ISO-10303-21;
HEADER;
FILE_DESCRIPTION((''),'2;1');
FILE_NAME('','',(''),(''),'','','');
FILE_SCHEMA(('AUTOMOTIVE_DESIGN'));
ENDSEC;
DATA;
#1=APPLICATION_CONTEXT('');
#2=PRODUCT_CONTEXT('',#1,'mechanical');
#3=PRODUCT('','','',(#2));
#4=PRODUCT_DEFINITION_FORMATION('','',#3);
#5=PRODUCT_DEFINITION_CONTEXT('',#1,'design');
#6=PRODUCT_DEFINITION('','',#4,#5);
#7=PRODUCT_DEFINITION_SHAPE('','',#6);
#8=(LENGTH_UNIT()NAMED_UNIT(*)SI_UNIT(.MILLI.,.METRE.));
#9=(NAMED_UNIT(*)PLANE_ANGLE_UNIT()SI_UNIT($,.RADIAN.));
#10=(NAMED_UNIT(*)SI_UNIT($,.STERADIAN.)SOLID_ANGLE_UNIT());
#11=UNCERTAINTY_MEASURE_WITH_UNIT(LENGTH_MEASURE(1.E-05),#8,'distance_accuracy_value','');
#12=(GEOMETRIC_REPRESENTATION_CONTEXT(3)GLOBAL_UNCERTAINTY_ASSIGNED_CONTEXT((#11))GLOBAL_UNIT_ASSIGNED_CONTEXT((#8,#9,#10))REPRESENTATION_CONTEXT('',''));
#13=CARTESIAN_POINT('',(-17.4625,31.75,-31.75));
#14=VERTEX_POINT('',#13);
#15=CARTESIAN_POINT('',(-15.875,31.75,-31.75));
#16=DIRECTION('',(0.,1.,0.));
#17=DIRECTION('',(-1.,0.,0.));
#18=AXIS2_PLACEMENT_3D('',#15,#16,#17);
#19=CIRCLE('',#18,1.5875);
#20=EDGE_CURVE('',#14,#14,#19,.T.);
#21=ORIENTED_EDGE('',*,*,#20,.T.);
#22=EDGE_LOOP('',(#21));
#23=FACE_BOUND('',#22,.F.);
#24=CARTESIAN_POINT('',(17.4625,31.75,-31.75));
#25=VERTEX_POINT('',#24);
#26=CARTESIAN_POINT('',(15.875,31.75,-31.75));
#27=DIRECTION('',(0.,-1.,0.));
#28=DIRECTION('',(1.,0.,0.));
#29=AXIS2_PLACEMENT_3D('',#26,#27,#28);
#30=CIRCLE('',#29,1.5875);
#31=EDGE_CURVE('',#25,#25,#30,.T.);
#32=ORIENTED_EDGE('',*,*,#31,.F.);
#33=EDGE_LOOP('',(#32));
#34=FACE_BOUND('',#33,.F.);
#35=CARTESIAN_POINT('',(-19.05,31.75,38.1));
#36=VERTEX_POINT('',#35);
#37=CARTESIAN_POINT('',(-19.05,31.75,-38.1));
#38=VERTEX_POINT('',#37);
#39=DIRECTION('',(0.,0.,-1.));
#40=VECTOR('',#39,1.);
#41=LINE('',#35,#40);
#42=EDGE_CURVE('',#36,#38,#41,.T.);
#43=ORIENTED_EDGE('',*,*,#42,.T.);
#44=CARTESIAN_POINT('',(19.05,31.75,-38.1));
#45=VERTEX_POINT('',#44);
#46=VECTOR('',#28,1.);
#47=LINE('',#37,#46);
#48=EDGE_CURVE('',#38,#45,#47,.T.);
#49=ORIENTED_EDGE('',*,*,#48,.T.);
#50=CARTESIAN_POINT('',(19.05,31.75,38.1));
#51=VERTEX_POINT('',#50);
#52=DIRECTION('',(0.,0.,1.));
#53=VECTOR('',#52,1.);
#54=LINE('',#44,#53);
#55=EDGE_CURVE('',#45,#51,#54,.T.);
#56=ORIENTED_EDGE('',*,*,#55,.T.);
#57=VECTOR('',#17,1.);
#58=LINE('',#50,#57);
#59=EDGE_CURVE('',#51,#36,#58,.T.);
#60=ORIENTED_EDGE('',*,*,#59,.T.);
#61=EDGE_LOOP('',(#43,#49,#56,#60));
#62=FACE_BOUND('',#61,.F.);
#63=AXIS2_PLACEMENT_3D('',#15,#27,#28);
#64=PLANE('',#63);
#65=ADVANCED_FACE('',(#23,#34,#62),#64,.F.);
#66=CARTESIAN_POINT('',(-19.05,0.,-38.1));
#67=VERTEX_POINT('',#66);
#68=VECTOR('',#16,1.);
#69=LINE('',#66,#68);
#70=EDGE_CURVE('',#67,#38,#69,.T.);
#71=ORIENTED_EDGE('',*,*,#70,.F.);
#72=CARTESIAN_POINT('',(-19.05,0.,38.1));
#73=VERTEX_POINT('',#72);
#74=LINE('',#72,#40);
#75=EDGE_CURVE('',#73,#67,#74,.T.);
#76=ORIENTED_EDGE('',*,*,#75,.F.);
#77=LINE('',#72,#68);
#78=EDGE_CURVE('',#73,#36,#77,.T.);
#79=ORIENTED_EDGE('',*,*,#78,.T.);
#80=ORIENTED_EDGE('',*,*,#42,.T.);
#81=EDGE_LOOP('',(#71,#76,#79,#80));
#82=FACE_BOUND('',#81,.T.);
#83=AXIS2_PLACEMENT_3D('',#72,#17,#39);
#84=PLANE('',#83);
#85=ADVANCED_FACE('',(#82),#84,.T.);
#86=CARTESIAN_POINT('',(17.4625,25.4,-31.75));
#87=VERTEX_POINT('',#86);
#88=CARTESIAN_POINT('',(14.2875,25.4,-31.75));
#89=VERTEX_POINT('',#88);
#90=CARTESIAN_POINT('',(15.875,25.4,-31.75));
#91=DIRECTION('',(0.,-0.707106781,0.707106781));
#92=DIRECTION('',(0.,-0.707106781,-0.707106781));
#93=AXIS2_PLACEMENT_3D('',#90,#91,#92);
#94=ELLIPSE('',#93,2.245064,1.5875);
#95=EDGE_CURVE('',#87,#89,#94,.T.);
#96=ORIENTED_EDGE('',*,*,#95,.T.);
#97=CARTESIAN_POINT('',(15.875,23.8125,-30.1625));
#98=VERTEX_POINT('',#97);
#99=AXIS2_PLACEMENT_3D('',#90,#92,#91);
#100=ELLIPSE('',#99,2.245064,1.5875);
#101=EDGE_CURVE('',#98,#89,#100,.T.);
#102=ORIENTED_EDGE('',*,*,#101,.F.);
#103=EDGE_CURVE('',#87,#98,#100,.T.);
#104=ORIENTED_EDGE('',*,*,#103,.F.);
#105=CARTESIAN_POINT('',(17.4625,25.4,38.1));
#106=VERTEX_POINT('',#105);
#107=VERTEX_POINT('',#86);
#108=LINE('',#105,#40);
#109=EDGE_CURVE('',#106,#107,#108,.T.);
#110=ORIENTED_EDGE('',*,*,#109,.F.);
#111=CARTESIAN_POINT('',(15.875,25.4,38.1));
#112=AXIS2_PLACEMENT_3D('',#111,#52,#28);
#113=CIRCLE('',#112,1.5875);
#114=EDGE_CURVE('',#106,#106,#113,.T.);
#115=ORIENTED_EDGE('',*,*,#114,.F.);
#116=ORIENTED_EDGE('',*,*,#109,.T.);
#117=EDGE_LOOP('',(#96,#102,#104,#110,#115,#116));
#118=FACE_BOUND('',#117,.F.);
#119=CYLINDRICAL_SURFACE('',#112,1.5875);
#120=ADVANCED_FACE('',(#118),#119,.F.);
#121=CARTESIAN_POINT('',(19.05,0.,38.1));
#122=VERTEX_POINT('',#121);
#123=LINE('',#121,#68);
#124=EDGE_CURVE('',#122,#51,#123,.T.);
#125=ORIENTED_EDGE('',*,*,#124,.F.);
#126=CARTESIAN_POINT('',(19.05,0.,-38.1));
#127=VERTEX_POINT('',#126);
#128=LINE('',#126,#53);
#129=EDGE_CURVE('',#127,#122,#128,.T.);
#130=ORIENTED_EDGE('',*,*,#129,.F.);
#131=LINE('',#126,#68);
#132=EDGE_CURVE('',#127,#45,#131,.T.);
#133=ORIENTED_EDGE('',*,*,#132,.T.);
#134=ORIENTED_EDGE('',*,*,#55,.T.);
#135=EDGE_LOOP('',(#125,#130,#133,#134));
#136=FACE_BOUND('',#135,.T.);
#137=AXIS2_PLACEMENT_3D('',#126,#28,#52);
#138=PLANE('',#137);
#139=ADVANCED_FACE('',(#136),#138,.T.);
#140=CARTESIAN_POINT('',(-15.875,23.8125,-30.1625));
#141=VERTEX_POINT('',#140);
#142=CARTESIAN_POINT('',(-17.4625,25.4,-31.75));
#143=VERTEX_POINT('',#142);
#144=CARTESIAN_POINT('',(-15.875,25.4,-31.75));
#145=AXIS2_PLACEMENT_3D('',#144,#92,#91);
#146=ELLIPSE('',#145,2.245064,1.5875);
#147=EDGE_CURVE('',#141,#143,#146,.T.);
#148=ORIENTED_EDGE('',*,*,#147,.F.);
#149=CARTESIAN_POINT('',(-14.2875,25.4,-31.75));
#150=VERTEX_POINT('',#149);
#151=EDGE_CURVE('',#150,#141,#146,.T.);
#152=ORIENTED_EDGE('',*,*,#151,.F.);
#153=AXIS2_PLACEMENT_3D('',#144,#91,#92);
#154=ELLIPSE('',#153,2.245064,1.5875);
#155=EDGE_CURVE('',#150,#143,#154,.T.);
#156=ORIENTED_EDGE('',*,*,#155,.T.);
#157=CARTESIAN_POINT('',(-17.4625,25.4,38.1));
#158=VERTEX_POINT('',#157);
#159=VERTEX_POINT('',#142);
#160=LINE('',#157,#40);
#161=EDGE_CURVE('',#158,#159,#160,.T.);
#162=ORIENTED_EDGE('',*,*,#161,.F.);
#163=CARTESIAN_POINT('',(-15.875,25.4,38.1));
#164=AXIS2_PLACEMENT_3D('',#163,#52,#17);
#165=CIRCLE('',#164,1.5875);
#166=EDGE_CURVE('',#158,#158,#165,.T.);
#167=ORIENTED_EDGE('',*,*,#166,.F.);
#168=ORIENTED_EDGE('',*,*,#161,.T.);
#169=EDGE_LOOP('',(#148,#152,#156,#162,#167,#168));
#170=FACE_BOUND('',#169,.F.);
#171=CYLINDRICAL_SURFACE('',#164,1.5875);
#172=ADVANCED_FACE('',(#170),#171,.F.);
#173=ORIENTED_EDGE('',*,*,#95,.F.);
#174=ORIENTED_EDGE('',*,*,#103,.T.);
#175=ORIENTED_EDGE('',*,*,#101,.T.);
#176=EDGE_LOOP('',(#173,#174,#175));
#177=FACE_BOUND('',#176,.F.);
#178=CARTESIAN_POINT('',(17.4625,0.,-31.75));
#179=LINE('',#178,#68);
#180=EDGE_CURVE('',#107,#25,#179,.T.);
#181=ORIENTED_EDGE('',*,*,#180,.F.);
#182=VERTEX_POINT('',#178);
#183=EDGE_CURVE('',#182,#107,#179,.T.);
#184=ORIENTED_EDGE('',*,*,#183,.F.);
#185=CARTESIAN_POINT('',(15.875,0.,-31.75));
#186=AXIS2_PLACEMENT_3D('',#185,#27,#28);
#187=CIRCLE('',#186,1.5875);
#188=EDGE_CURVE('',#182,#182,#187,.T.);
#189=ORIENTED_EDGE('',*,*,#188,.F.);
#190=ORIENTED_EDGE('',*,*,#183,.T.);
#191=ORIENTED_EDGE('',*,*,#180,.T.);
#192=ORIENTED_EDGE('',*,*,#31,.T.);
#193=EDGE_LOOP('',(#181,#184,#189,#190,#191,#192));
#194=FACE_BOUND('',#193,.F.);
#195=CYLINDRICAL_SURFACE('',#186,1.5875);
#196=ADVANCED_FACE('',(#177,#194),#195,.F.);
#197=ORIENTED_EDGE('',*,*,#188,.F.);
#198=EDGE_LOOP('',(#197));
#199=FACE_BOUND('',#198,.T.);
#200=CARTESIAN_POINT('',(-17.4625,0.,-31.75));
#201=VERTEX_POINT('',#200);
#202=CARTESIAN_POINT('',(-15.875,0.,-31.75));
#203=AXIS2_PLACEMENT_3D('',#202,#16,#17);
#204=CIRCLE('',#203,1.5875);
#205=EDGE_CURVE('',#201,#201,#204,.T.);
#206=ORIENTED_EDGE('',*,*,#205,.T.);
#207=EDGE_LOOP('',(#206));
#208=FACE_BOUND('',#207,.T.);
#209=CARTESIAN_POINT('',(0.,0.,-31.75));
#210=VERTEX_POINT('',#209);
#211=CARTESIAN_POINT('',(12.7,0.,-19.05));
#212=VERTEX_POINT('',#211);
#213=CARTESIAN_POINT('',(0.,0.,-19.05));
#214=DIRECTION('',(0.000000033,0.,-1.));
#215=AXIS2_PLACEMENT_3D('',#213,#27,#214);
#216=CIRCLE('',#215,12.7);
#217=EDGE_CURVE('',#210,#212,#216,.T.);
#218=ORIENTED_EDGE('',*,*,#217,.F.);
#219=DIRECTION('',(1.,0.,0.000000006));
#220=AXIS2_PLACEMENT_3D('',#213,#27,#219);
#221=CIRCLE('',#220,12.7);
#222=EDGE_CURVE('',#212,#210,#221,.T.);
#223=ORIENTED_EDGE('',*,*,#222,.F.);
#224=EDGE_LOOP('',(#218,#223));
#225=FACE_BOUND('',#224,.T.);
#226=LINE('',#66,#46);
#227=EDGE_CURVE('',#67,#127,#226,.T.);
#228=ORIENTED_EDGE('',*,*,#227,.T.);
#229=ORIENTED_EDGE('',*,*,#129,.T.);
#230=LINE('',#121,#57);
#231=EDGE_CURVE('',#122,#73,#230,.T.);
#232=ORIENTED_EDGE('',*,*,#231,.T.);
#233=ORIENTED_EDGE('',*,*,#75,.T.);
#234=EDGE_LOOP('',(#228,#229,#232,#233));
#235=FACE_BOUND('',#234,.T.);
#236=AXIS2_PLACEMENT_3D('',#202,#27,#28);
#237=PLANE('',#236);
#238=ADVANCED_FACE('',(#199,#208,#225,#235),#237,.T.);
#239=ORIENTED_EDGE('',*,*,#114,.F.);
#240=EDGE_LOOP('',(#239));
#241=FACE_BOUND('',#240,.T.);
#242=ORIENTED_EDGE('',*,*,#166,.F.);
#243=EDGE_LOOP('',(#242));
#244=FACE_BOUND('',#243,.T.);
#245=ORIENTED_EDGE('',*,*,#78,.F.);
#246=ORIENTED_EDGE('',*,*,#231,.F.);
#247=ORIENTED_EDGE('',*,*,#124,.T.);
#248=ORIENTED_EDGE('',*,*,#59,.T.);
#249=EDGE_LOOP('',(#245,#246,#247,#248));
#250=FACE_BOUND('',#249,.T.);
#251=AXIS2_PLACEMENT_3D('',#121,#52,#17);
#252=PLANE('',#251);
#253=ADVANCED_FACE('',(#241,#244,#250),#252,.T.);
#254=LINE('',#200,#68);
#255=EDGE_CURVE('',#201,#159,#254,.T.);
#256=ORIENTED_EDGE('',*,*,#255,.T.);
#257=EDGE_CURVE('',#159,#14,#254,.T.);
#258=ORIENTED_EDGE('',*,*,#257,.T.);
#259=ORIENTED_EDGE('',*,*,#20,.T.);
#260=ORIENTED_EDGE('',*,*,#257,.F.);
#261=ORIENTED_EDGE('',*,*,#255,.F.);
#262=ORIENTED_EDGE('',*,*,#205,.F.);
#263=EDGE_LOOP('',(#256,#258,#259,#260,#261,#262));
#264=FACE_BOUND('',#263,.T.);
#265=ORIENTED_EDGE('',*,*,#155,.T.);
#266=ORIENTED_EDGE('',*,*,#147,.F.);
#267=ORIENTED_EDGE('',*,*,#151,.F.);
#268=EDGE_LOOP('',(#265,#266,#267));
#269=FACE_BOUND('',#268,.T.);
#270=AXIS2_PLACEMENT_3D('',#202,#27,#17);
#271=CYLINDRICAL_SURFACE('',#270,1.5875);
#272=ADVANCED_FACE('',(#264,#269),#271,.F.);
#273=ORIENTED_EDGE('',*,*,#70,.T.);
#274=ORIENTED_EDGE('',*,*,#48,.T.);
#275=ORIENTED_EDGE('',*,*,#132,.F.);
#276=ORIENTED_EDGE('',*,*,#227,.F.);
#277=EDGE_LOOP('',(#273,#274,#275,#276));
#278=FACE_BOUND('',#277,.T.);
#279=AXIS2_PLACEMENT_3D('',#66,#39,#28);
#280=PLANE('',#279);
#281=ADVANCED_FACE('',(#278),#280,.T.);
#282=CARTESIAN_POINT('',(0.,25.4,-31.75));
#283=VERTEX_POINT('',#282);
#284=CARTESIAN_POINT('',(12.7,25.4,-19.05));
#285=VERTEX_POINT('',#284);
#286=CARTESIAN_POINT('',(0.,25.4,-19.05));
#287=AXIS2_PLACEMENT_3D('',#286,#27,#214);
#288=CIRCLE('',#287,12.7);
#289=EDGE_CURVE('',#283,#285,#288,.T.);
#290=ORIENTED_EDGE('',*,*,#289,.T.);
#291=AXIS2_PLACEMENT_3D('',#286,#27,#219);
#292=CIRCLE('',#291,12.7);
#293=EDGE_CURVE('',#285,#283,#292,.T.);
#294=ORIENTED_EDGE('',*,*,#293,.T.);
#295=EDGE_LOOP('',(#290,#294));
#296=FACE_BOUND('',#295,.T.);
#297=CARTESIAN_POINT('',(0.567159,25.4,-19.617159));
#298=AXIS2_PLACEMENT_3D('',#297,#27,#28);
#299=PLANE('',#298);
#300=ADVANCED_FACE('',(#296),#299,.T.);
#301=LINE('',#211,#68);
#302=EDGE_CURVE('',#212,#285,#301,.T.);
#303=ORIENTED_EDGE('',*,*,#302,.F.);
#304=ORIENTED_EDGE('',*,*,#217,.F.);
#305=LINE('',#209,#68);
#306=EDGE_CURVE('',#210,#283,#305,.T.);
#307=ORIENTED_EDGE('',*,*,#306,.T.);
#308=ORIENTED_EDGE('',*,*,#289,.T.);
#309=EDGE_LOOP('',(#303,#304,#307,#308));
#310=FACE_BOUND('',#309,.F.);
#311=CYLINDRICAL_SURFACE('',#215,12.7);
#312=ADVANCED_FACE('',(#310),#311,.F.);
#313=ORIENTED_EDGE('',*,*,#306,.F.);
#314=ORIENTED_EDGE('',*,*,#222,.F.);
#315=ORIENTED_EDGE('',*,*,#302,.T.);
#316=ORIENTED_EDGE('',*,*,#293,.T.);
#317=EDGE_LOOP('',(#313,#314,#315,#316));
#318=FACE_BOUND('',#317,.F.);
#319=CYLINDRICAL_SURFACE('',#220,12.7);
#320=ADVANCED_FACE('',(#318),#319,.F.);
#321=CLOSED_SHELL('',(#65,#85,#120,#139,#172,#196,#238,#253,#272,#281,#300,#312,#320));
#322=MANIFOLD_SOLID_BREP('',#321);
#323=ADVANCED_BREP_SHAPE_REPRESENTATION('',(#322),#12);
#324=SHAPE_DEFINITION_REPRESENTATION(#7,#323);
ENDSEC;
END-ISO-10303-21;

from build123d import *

# Parameters (mm, degrees)
F0_R     = 1.5875
F1_DEPTH = 31.75
F2_DEPTH = 25.4
F3_R     = 1.5875
F3_R_2   = 0.79375
F4_DEPTH = 69.85
F5_DEPTH = 69.85


with BuildPart() as f1:
    # F0 (on Front) → F1 (new body)
    with BuildSketch(Plane.XZ):
        with BuildLine():
            ThreePointArc((-14.2875, -31.75), (-15.875, -30.1625), (-17.4625, -31.75))
            ThreePointArc((-17.4625, -31.75), (-15.875, -33.3375), (-14.2875, -31.75))
        make_face()
        with Locations((15.875, -31.75)):
            Circle(F0_R)
        Polygon((19.05, -31.75), (19.05, 38.1), (-19.05, 38.1), (-19.05, -31.75), (-19.05, -38.1), (0, -38.1), (19.05, -38.1), align=None)
        with BuildLine():
            ThreePointArc((-14.2875, -31.75), (-15.875, -33.3375), (-17.4625, -31.75))
            ThreePointArc((-17.4625, -31.75), (-15.875, -30.1625), (-14.2875, -31.75))
        make_face(mode=Mode.SUBTRACT)
        with Locations((15.875, -31.75)):
            Circle(F0_R, mode=Mode.SUBTRACT)
        with BuildLine():
            ThreePointArc((12.7, -19.05), (8.980256, -28.030256), (0, -31.75))
            ThreePointArc((0, -31.75), (-8.980256, -10.069744), (12.7, -19.05))
        make_face(mode=Mode.SUBTRACT)
        with BuildLine():
            ThreePointArc((12.7, -19.05), (-8.980256, -10.069744), (0, -31.75))
            ThreePointArc((0, -31.75), (8.980256, -28.030256), (12.7, -19.05))
        make_face()
    extrude(amount=-F1_DEPTH)

    # F0 (on Front) → F2 (cut)
    with BuildSketch(Plane.XZ):
        with BuildLine():
            ThreePointArc((12.7, -19.05), (-8.980256, -10.069744), (0, -31.75))
            ThreePointArc((0, -31.75), (8.980256, -28.030256), (12.7, -19.05))
        make_face()
    extrude(amount=-F2_DEPTH, mode=Mode.SUBTRACT)

    # F3 (on face) → F4 (cut)
    with BuildSketch(Plane.XY.offset(38.1)):
        with Locations((15.875, 25.4)):
            Circle(F3_R)
        with Locations((15.875, 25.4)):
            Circle(F3_R_2, mode=Mode.SUBTRACT)
        with Locations((15.875, 25.4)):
            Circle(F3_R_2)
        with BuildLine():
            ThreePointArc((-14.2875, 25.4), (-15.875, 26.9875), (-17.4625, 25.4))
            ThreePointArc((-17.4625, 25.4), (-15.875, 23.8125), (-14.2875, 25.4))
        make_face()
        with BuildLine():
            ThreePointArc((-15.08125, 25.4), (-15.875, 24.60625), (-16.66875, 25.4))
            ThreePointArc((-16.66875, 25.4), (-15.875, 26.19375), (-15.08125, 25.4))
        make_face(mode=Mode.SUBTRACT)
        with BuildLine():
            ThreePointArc((-15.08125, 25.4), (-15.875, 26.19375), (-16.66875, 25.4))
            ThreePointArc((-16.66875, 25.4), (-15.875, 24.60625), (-15.08125, 25.4))
        make_face()
    extrude(amount=-F4_DEPTH, mode=Mode.SUBTRACT)

    # F3 (on face) → F5 (cut)
    with BuildSketch(Plane.XY.offset(38.1)):
        with BuildLine():
            ThreePointArc((-15.08125, 25.4), (-15.875, 26.19375), (-16.66875, 25.4))
            ThreePointArc((-16.66875, 25.4), (-15.875, 24.60625), (-15.08125, 25.4))
        make_face()
        with Locations((15.875, 25.4)):
            Circle(F3_R_2)
    extrude(amount=-F5_DEPTH, mode=Mode.SUBTRACT)


solid = f1.part
